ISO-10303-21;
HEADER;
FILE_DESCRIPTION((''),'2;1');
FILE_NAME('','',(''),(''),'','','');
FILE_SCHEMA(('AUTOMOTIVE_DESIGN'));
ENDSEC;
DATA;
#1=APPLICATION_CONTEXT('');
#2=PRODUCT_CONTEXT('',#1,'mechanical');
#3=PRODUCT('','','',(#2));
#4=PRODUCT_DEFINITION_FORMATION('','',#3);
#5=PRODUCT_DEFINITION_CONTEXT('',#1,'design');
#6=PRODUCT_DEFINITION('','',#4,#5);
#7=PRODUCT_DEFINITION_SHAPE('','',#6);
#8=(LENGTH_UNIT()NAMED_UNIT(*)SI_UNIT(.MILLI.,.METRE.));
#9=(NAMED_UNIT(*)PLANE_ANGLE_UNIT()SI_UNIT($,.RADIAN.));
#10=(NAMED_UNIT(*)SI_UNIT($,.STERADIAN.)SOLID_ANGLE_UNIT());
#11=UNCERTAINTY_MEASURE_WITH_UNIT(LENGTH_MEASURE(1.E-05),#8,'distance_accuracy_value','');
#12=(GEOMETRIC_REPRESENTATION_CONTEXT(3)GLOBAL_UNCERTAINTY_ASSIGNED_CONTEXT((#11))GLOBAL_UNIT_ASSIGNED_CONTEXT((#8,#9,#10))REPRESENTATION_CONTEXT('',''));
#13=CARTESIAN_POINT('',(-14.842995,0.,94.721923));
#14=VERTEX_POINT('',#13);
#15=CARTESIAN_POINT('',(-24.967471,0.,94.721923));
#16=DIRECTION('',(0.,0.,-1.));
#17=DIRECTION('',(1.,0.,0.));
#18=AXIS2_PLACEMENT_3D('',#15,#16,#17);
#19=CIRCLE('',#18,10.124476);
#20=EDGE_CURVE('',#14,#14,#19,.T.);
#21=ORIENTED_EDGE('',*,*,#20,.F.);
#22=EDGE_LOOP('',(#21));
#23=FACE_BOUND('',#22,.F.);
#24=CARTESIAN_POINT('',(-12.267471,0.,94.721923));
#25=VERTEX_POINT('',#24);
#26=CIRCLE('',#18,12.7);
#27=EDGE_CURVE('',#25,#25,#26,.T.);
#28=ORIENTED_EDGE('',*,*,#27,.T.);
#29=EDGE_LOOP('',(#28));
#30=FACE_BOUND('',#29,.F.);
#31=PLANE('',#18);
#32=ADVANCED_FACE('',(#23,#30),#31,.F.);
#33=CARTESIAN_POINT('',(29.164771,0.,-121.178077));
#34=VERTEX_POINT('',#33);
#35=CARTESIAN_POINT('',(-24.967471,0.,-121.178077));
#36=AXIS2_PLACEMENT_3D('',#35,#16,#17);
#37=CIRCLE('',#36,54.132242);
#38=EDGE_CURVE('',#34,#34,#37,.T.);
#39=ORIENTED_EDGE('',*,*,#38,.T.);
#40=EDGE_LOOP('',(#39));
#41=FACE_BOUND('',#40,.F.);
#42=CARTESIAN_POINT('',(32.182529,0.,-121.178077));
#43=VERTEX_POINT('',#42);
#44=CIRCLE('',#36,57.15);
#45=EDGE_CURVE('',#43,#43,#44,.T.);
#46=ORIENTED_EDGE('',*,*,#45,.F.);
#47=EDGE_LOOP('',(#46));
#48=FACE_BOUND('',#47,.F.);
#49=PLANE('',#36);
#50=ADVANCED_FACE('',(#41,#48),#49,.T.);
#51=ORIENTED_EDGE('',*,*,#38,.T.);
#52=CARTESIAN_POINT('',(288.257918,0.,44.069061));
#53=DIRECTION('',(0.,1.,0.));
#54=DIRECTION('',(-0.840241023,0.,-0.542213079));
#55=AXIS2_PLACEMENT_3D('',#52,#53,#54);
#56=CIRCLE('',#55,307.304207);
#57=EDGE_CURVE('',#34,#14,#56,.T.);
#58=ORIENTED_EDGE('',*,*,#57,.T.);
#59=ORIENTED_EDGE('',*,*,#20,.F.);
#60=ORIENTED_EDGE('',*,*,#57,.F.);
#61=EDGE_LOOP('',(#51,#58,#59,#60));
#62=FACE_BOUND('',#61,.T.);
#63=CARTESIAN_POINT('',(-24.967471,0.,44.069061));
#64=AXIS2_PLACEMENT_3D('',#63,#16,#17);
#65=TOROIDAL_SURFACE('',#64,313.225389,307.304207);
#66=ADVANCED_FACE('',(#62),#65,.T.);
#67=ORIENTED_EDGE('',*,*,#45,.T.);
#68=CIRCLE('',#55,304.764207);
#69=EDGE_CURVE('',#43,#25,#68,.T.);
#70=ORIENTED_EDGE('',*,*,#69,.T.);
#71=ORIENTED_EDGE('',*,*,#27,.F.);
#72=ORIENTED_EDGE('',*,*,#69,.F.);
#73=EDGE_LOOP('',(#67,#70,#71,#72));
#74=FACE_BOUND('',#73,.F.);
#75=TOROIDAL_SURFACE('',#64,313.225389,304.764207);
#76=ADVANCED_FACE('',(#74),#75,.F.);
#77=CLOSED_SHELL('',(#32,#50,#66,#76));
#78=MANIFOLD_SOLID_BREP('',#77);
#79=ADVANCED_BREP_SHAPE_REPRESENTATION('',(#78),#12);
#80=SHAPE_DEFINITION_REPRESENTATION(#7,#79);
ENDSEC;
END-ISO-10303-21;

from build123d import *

# Parameters (mm, degrees)
F2_T = -2.54


with BuildPart() as f1:
    # F0 (on Front) → F1 (revolve)
    with BuildSketch(Plane.XZ):
        with BuildLine():
            Line((-12.2674711376, 94.7219225585), (-24.9674711376, 94.7219225585))
            Line((-24.9674711376, 94.7219225585), (-24.9674711376, -121.1780774415))
            Line((-24.9674711376, -121.1780774415), (32.1825288624, -121.1780774415))
            ThreePointArc((32.1825288624, -121.1780774415), (-10.2455310514, -17.3875309531), (-12.2674711376, 94.7219225585))
        make_face()
    revolve(axis=Axis((-24.9674711376, 0, -13.2280774415), (0, 0, -1)))

    # F2
    f2_openings = [f1.faces().sort_by_distance(p)[0] for p in [
        (-24.967471, 0, -121.178077),
        (-24.967471, 0, 94.721923),
    ]]
    offset(amount=F2_T, openings=f2_openings)


solid = f1.part
